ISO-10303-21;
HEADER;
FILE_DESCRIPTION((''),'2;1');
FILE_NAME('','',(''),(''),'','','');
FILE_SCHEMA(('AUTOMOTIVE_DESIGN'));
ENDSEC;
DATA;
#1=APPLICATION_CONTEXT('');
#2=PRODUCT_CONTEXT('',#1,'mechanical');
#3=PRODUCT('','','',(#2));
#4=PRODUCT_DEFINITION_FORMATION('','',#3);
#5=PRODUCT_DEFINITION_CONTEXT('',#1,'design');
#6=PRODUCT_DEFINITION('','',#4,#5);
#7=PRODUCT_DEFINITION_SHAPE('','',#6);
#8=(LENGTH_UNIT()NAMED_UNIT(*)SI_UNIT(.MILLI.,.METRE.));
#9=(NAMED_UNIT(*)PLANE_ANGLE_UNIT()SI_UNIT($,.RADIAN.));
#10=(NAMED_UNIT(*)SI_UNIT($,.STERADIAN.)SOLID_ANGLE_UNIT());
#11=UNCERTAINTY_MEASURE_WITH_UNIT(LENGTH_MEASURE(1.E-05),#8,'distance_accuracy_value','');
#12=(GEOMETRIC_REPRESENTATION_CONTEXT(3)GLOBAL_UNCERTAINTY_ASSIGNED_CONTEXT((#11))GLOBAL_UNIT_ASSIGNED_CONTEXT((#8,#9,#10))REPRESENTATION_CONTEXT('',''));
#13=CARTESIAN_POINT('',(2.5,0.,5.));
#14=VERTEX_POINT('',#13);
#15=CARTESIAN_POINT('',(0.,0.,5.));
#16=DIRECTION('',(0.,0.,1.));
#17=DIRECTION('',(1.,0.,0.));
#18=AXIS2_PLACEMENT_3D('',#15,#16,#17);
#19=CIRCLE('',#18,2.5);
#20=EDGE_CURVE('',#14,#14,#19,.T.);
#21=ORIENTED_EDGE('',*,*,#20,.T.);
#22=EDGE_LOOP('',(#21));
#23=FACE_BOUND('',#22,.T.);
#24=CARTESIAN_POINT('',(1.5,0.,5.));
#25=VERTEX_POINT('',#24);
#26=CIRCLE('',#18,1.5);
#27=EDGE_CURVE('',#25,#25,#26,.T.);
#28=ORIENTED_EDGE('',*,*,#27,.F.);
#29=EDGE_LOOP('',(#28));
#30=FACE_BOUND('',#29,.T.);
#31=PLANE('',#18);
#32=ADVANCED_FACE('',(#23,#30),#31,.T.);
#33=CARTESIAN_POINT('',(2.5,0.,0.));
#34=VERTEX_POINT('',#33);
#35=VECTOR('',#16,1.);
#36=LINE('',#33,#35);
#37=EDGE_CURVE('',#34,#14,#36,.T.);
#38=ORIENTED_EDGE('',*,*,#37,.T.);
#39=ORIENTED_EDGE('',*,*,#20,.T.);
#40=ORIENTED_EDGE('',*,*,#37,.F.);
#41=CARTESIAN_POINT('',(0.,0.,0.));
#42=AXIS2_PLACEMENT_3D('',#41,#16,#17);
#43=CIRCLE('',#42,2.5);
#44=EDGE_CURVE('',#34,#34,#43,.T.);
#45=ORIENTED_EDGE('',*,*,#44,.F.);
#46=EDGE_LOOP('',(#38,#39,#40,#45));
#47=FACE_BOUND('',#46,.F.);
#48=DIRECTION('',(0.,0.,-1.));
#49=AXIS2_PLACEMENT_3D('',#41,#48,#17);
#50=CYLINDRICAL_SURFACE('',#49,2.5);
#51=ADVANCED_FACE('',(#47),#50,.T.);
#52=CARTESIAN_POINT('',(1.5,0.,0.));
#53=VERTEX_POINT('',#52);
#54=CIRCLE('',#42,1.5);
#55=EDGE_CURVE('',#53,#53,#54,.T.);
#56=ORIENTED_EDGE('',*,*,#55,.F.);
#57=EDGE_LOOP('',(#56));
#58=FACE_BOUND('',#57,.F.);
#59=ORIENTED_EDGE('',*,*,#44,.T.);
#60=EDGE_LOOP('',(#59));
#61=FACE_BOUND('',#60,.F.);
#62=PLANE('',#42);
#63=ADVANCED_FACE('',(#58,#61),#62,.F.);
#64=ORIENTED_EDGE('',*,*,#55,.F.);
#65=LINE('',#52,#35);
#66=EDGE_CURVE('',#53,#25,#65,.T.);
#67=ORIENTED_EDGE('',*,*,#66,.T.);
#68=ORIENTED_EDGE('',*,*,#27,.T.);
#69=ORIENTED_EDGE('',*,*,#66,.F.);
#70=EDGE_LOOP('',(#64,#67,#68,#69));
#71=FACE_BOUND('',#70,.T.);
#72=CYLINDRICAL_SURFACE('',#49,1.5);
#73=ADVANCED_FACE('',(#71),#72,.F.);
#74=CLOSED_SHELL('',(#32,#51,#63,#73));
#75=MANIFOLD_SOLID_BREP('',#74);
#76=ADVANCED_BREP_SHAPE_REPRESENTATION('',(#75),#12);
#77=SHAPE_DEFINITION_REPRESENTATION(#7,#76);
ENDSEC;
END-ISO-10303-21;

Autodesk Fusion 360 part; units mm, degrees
sketch "Sketch1" plane through (0, 0, 0) normal (0, 0, 1) x (1, 0, 0)
  circle A0 centre (0, 0) radius 1.5
  circle A1 centre (0, 0) radius 2.5
  dimension "d1" = 3
  dimension "d2" = 5
extrude "Extrude1" add sketch "Sketch1" along normal blind 5
